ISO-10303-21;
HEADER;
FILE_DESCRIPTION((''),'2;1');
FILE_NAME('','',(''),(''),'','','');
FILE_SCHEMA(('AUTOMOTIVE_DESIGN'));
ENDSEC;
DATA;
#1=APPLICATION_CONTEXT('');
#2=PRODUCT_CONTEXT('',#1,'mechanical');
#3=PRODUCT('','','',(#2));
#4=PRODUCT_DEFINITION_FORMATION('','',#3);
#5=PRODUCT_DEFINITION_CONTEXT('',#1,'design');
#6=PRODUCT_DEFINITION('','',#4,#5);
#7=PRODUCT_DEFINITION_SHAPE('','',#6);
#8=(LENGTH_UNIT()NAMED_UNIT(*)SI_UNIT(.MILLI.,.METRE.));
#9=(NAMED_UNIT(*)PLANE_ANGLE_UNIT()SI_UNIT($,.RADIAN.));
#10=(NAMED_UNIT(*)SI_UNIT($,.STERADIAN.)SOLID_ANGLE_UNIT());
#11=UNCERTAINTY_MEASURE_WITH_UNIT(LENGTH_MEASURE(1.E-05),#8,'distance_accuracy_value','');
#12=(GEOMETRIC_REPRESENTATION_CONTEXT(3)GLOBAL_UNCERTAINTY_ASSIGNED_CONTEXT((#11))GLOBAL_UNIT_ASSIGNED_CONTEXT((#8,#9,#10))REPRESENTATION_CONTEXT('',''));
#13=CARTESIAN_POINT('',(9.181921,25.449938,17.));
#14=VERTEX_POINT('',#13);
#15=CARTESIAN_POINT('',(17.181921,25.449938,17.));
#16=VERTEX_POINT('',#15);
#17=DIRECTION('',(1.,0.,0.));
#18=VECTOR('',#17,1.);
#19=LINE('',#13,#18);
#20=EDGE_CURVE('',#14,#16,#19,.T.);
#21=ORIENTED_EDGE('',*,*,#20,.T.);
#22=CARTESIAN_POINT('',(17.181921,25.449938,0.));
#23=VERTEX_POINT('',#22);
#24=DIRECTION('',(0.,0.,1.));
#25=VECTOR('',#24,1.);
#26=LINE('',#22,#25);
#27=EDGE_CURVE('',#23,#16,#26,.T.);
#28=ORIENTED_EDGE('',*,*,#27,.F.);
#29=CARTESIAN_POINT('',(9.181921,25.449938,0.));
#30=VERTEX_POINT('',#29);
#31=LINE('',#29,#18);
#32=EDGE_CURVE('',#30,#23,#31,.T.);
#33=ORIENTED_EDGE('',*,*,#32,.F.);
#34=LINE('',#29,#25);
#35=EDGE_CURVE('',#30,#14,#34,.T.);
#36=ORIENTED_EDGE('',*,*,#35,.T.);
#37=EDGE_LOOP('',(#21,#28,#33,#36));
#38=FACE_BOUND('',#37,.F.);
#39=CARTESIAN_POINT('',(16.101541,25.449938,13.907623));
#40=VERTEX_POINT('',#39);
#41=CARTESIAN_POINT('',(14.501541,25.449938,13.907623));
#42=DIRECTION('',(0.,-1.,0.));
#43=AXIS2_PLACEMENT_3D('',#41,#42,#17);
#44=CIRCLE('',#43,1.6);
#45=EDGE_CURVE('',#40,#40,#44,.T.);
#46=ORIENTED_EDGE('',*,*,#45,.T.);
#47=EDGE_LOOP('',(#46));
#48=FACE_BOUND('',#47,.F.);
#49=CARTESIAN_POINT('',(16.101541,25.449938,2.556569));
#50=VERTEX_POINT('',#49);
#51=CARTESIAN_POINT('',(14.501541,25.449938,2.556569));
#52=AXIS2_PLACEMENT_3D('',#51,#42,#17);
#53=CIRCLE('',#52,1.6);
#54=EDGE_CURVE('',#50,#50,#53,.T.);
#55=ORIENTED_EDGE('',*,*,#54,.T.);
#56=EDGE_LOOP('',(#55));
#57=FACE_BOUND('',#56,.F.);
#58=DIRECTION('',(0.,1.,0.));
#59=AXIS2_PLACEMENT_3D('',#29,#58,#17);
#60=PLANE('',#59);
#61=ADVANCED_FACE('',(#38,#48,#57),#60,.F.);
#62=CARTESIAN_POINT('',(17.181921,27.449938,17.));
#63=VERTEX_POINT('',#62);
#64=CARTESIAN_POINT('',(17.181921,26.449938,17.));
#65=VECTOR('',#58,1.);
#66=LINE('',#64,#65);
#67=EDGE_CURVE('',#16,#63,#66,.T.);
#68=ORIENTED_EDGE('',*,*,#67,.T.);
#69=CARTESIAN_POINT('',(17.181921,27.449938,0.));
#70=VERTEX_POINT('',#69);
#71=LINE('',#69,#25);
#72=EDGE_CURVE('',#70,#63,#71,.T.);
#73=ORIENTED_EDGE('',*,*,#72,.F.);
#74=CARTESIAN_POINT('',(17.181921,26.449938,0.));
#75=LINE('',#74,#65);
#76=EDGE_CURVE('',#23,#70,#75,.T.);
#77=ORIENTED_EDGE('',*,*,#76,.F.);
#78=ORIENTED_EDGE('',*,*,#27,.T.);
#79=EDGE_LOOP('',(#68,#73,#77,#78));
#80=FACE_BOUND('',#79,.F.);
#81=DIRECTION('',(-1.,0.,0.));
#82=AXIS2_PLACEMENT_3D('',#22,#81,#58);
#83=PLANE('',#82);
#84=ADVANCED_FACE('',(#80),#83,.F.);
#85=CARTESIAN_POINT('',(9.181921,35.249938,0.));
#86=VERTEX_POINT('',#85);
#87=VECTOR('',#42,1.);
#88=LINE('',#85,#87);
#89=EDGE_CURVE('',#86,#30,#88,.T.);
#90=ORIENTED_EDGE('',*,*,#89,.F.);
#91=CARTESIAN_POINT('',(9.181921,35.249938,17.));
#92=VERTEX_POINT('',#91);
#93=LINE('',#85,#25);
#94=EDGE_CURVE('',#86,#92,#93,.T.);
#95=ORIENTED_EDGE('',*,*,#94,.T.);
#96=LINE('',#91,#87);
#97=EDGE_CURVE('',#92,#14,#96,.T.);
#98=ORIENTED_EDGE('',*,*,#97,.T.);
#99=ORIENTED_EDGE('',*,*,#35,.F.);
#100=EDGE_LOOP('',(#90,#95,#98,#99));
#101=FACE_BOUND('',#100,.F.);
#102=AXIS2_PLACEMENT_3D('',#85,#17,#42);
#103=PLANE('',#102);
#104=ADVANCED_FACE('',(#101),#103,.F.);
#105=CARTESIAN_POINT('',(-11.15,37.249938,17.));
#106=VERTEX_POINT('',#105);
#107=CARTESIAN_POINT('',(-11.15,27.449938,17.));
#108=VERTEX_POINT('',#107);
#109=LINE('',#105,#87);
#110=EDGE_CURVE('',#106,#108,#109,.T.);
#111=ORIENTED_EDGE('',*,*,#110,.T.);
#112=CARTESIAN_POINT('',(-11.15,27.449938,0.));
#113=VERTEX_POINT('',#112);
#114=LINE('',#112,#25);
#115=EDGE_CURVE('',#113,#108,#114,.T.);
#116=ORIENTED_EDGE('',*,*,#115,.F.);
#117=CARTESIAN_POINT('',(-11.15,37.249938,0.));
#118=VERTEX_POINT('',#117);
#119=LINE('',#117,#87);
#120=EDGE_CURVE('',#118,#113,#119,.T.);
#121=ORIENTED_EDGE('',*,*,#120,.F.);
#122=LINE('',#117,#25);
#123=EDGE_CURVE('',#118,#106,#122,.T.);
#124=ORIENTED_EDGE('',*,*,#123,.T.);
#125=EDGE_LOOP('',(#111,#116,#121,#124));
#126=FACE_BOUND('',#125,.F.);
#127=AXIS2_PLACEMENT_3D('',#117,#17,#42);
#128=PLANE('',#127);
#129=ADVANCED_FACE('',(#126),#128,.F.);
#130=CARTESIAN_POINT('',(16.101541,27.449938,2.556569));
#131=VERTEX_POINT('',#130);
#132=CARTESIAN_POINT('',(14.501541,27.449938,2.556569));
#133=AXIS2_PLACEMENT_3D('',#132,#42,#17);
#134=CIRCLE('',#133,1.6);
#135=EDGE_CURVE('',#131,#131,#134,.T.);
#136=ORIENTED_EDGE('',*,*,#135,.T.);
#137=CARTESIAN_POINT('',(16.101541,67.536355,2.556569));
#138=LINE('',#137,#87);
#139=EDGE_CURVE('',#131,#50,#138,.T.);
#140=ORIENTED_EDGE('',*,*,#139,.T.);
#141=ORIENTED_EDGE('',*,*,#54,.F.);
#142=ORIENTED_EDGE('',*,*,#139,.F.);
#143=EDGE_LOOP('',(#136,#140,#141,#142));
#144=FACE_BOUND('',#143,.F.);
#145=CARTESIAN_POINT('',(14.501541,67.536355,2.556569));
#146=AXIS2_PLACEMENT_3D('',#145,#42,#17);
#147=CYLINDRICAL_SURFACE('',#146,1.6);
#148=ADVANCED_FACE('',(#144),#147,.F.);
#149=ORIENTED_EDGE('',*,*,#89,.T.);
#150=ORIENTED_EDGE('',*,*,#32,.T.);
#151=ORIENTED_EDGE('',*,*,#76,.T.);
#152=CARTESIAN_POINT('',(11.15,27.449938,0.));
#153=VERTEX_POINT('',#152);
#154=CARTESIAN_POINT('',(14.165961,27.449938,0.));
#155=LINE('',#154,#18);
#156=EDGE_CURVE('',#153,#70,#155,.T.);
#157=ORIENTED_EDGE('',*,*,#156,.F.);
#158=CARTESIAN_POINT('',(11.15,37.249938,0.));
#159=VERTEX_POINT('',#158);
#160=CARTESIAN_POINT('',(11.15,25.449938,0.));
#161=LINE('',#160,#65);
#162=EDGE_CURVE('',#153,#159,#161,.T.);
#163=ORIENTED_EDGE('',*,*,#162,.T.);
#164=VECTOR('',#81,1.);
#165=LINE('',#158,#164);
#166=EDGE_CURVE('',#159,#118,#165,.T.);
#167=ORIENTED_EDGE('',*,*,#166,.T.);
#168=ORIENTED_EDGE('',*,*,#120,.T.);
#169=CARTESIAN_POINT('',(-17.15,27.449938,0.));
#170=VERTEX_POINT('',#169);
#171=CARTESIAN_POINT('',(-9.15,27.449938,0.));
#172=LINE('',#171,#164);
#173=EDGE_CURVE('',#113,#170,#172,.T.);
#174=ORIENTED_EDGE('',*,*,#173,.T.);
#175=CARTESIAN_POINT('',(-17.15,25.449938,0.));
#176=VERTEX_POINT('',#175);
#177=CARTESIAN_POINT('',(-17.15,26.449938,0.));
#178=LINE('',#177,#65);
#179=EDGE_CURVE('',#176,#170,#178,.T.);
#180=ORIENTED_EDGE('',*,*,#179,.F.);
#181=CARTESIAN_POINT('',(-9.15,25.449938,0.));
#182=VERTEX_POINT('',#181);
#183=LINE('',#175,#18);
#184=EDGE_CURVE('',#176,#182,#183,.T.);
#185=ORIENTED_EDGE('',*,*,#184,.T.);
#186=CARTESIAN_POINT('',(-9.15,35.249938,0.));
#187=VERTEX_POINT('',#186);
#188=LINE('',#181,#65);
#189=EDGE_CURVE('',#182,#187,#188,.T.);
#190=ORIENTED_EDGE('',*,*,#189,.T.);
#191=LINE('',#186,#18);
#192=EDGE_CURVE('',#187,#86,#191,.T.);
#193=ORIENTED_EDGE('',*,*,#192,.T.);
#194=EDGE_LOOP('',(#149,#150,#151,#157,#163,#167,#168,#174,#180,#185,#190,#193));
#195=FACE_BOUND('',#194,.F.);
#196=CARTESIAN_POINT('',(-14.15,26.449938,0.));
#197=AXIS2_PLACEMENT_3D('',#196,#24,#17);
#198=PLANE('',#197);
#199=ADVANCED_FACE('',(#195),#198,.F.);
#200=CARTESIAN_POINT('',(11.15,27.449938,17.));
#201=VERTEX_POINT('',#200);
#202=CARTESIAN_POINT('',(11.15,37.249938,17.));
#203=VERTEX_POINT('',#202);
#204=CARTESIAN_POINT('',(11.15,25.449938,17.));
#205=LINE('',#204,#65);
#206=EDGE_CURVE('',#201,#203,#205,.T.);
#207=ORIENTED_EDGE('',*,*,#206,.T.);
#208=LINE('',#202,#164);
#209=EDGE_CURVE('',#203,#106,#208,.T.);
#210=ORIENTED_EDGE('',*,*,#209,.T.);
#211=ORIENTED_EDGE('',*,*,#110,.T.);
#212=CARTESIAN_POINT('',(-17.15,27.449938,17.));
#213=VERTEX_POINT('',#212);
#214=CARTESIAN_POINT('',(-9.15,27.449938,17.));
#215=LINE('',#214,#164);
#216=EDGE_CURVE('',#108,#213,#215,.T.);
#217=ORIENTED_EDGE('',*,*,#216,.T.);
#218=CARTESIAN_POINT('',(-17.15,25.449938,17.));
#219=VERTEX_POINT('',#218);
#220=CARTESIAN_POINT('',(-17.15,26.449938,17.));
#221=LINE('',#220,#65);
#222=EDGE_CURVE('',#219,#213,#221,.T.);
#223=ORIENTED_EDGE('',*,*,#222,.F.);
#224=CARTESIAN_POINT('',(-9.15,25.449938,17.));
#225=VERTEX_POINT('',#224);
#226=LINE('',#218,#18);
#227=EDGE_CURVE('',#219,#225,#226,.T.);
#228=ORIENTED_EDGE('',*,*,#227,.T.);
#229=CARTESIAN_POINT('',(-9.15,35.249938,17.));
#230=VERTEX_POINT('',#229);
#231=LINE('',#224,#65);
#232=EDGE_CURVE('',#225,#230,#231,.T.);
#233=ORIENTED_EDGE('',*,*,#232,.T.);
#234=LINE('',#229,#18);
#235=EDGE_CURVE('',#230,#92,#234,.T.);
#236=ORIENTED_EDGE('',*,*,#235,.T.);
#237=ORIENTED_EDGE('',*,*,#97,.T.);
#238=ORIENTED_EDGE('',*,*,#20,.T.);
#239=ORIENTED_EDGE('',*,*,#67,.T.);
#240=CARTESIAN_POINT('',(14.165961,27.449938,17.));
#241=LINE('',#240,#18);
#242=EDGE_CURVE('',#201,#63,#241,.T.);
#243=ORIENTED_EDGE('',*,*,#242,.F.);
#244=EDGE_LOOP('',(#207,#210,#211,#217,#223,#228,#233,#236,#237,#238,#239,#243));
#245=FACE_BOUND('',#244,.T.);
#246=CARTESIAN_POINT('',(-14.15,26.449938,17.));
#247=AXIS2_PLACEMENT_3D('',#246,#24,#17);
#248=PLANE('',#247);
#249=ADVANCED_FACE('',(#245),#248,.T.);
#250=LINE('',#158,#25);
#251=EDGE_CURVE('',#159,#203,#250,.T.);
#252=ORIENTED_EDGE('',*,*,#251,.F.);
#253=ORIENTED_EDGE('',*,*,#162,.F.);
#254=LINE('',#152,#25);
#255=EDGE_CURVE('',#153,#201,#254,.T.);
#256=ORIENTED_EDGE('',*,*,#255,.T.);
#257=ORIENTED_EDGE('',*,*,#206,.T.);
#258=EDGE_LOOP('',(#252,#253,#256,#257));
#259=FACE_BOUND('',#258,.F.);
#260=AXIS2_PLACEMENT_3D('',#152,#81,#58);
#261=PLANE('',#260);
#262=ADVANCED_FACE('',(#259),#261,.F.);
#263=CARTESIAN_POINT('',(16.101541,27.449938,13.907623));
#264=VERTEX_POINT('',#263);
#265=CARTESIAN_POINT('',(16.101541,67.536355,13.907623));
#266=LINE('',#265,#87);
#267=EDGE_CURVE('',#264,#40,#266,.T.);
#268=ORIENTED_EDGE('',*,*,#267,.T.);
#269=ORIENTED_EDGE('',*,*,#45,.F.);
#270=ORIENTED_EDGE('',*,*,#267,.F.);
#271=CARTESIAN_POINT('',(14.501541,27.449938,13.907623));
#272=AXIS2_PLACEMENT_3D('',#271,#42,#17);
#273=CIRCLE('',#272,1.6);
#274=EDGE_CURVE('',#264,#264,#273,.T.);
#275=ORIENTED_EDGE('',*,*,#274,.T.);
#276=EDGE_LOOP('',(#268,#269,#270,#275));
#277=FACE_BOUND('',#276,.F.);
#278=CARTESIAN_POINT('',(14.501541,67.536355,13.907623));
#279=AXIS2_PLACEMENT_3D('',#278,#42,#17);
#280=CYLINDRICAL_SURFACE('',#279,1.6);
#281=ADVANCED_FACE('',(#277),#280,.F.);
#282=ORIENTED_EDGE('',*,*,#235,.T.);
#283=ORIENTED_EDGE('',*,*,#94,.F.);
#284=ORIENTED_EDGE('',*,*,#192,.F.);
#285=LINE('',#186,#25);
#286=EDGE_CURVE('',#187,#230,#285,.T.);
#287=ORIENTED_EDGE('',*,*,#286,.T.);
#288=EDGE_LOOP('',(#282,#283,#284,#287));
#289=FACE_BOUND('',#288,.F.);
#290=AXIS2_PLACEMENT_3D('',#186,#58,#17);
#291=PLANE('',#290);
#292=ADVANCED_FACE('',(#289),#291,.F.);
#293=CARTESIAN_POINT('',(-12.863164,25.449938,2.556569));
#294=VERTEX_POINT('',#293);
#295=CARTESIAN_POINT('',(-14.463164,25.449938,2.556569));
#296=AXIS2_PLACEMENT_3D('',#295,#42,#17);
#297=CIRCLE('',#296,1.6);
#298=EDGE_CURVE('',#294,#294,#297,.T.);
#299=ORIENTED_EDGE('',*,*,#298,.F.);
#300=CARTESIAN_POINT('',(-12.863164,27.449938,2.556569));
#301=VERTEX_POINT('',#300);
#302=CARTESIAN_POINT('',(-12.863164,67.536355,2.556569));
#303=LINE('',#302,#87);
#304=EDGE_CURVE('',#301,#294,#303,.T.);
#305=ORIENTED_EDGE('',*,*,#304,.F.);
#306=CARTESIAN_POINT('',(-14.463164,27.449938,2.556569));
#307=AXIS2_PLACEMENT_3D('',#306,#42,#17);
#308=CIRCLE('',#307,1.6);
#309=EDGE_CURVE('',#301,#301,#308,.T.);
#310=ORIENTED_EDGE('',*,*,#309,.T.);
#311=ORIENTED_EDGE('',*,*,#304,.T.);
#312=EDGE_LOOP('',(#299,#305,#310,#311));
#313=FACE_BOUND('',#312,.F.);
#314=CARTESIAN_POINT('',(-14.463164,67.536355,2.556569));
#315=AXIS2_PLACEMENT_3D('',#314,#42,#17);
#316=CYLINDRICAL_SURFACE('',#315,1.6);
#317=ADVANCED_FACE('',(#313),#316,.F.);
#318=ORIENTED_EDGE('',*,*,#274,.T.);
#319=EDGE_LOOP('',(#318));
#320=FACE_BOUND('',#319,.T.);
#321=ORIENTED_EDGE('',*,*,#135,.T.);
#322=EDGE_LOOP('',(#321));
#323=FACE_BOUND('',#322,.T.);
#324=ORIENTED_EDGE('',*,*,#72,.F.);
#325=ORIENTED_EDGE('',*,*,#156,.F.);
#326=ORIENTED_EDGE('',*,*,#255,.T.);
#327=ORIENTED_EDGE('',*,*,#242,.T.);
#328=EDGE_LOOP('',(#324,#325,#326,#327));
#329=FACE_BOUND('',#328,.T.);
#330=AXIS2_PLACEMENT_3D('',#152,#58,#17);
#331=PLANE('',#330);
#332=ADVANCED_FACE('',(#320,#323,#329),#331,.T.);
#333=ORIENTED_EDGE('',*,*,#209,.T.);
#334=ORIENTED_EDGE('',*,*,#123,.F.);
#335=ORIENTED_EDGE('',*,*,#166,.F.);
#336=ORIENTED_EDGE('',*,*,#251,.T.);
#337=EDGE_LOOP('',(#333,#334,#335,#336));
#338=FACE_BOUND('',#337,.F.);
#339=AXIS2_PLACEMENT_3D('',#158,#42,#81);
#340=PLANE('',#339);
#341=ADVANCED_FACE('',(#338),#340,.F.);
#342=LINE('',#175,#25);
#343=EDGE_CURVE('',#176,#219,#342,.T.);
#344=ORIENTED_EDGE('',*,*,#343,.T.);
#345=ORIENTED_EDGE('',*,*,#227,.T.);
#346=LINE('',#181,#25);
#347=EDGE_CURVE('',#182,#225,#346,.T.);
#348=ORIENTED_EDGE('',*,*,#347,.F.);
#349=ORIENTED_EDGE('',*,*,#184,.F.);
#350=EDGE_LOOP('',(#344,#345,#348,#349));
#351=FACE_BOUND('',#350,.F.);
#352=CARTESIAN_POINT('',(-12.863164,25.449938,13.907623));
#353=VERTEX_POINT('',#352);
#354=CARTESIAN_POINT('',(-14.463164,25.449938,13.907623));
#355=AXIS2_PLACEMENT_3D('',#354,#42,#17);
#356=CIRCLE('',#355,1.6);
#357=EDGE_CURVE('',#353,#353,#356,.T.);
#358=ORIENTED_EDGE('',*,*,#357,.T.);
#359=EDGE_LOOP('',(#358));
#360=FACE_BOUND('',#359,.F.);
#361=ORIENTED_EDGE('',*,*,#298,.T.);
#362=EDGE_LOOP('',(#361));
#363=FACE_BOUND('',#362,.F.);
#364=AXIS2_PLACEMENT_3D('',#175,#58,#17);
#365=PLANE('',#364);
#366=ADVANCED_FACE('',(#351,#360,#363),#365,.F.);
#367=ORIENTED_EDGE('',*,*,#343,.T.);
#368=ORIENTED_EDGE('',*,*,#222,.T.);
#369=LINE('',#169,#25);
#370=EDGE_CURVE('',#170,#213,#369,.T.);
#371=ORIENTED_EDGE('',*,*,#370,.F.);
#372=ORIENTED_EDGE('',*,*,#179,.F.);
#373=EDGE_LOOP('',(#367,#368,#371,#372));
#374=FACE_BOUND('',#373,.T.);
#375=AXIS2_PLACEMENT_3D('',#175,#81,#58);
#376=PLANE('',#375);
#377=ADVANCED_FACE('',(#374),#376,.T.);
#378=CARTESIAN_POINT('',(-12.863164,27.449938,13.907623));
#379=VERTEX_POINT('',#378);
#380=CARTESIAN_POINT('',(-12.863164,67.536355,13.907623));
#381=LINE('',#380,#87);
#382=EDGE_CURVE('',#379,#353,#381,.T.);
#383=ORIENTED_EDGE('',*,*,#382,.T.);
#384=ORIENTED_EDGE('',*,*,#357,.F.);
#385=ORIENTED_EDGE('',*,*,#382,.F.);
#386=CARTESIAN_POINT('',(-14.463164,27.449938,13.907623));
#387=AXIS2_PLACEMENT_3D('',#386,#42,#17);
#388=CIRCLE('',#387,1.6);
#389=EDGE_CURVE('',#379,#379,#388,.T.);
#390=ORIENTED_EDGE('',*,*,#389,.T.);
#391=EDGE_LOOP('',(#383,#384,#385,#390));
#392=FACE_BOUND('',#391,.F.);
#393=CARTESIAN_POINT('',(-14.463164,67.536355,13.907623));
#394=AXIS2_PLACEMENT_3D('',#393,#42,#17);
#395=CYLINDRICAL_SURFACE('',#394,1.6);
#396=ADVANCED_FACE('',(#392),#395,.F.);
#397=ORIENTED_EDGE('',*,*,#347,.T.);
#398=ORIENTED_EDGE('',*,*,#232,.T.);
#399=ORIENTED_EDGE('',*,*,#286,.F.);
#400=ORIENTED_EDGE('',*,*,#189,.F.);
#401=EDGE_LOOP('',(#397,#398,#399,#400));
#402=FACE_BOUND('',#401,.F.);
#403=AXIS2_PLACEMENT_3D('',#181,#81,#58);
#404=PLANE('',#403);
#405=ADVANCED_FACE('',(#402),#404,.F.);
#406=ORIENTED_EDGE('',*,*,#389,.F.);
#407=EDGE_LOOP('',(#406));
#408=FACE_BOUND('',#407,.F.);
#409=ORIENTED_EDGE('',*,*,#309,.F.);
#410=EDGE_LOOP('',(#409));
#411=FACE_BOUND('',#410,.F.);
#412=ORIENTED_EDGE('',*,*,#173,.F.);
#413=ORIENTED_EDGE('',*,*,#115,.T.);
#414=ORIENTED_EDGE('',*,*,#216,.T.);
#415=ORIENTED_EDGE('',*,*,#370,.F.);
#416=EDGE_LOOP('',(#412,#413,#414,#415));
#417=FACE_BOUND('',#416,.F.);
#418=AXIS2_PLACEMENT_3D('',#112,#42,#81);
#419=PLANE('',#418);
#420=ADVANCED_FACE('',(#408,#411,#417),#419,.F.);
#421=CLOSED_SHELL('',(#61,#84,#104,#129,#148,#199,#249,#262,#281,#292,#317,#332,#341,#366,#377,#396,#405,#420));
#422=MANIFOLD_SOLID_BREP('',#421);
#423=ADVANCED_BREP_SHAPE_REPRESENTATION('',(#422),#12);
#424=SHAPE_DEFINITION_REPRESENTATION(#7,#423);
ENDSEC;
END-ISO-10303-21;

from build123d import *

# Parameters (mm, degrees)
F0_W     = 6
F0_H     = 2
F0_W_2   = 2
F0_H_2   = 7.8
F0_W_3   = 18.3319213703
F0_W_4   = 1.9680786297
F0_W_5   = 6.0319213703
F1_DEPTH = 17
F3_D     = 3.2


with BuildPart() as f1:
    # F0 (on Top) → F1 (new body)
    with BuildSketch(Plane.XY):
        with Locations((-14.15, 26.4499383554)):
            Rectangle(F0_W, F0_H)
        with Locations((-10.15, 26.4499383554)):
            Rectangle(F0_W_2, F0_H)
        with Locations((-10.15, 31.3499383554)):
            Rectangle(F0_W_2, F0_H_2)
        with Locations((-10.15, 36.2499383554)):
            Rectangle(F0_W_2, F0_H)
        with Locations((0.0159606852, 36.2499383554)):
            Rectangle(F0_W_3, F0_H)
        with Locations((10.1659606852, 36.2499383554)):
            Rectangle(F0_W_4, F0_H)
        with Locations((10.1659606852, 31.3499383554)):
            Rectangle(F0_W_4, F0_H_2)
        with Locations((10.1659606852, 26.4499383554)):
            Rectangle(F0_W_4, F0_H)
        with Locations((14.1659606852, 26.4499383554)):
            Rectangle(F0_W_5, F0_H)
    extrude(amount=F1_DEPTH)

    # F3 (through all)
    with Locations(Plane(origin=(0, 27.4499383554, 0), x_dir=(-1, 0, 0), z_dir=(0, 1, 0))):
        with Locations((-14.5015409216, 13.9076234773), (-14.5015409216, 2.556569226), (14.4631639123, 2.556569226), (14.4631639123, 13.9076234773)):
            Hole(F3_D / 2)


solid = f1.part
